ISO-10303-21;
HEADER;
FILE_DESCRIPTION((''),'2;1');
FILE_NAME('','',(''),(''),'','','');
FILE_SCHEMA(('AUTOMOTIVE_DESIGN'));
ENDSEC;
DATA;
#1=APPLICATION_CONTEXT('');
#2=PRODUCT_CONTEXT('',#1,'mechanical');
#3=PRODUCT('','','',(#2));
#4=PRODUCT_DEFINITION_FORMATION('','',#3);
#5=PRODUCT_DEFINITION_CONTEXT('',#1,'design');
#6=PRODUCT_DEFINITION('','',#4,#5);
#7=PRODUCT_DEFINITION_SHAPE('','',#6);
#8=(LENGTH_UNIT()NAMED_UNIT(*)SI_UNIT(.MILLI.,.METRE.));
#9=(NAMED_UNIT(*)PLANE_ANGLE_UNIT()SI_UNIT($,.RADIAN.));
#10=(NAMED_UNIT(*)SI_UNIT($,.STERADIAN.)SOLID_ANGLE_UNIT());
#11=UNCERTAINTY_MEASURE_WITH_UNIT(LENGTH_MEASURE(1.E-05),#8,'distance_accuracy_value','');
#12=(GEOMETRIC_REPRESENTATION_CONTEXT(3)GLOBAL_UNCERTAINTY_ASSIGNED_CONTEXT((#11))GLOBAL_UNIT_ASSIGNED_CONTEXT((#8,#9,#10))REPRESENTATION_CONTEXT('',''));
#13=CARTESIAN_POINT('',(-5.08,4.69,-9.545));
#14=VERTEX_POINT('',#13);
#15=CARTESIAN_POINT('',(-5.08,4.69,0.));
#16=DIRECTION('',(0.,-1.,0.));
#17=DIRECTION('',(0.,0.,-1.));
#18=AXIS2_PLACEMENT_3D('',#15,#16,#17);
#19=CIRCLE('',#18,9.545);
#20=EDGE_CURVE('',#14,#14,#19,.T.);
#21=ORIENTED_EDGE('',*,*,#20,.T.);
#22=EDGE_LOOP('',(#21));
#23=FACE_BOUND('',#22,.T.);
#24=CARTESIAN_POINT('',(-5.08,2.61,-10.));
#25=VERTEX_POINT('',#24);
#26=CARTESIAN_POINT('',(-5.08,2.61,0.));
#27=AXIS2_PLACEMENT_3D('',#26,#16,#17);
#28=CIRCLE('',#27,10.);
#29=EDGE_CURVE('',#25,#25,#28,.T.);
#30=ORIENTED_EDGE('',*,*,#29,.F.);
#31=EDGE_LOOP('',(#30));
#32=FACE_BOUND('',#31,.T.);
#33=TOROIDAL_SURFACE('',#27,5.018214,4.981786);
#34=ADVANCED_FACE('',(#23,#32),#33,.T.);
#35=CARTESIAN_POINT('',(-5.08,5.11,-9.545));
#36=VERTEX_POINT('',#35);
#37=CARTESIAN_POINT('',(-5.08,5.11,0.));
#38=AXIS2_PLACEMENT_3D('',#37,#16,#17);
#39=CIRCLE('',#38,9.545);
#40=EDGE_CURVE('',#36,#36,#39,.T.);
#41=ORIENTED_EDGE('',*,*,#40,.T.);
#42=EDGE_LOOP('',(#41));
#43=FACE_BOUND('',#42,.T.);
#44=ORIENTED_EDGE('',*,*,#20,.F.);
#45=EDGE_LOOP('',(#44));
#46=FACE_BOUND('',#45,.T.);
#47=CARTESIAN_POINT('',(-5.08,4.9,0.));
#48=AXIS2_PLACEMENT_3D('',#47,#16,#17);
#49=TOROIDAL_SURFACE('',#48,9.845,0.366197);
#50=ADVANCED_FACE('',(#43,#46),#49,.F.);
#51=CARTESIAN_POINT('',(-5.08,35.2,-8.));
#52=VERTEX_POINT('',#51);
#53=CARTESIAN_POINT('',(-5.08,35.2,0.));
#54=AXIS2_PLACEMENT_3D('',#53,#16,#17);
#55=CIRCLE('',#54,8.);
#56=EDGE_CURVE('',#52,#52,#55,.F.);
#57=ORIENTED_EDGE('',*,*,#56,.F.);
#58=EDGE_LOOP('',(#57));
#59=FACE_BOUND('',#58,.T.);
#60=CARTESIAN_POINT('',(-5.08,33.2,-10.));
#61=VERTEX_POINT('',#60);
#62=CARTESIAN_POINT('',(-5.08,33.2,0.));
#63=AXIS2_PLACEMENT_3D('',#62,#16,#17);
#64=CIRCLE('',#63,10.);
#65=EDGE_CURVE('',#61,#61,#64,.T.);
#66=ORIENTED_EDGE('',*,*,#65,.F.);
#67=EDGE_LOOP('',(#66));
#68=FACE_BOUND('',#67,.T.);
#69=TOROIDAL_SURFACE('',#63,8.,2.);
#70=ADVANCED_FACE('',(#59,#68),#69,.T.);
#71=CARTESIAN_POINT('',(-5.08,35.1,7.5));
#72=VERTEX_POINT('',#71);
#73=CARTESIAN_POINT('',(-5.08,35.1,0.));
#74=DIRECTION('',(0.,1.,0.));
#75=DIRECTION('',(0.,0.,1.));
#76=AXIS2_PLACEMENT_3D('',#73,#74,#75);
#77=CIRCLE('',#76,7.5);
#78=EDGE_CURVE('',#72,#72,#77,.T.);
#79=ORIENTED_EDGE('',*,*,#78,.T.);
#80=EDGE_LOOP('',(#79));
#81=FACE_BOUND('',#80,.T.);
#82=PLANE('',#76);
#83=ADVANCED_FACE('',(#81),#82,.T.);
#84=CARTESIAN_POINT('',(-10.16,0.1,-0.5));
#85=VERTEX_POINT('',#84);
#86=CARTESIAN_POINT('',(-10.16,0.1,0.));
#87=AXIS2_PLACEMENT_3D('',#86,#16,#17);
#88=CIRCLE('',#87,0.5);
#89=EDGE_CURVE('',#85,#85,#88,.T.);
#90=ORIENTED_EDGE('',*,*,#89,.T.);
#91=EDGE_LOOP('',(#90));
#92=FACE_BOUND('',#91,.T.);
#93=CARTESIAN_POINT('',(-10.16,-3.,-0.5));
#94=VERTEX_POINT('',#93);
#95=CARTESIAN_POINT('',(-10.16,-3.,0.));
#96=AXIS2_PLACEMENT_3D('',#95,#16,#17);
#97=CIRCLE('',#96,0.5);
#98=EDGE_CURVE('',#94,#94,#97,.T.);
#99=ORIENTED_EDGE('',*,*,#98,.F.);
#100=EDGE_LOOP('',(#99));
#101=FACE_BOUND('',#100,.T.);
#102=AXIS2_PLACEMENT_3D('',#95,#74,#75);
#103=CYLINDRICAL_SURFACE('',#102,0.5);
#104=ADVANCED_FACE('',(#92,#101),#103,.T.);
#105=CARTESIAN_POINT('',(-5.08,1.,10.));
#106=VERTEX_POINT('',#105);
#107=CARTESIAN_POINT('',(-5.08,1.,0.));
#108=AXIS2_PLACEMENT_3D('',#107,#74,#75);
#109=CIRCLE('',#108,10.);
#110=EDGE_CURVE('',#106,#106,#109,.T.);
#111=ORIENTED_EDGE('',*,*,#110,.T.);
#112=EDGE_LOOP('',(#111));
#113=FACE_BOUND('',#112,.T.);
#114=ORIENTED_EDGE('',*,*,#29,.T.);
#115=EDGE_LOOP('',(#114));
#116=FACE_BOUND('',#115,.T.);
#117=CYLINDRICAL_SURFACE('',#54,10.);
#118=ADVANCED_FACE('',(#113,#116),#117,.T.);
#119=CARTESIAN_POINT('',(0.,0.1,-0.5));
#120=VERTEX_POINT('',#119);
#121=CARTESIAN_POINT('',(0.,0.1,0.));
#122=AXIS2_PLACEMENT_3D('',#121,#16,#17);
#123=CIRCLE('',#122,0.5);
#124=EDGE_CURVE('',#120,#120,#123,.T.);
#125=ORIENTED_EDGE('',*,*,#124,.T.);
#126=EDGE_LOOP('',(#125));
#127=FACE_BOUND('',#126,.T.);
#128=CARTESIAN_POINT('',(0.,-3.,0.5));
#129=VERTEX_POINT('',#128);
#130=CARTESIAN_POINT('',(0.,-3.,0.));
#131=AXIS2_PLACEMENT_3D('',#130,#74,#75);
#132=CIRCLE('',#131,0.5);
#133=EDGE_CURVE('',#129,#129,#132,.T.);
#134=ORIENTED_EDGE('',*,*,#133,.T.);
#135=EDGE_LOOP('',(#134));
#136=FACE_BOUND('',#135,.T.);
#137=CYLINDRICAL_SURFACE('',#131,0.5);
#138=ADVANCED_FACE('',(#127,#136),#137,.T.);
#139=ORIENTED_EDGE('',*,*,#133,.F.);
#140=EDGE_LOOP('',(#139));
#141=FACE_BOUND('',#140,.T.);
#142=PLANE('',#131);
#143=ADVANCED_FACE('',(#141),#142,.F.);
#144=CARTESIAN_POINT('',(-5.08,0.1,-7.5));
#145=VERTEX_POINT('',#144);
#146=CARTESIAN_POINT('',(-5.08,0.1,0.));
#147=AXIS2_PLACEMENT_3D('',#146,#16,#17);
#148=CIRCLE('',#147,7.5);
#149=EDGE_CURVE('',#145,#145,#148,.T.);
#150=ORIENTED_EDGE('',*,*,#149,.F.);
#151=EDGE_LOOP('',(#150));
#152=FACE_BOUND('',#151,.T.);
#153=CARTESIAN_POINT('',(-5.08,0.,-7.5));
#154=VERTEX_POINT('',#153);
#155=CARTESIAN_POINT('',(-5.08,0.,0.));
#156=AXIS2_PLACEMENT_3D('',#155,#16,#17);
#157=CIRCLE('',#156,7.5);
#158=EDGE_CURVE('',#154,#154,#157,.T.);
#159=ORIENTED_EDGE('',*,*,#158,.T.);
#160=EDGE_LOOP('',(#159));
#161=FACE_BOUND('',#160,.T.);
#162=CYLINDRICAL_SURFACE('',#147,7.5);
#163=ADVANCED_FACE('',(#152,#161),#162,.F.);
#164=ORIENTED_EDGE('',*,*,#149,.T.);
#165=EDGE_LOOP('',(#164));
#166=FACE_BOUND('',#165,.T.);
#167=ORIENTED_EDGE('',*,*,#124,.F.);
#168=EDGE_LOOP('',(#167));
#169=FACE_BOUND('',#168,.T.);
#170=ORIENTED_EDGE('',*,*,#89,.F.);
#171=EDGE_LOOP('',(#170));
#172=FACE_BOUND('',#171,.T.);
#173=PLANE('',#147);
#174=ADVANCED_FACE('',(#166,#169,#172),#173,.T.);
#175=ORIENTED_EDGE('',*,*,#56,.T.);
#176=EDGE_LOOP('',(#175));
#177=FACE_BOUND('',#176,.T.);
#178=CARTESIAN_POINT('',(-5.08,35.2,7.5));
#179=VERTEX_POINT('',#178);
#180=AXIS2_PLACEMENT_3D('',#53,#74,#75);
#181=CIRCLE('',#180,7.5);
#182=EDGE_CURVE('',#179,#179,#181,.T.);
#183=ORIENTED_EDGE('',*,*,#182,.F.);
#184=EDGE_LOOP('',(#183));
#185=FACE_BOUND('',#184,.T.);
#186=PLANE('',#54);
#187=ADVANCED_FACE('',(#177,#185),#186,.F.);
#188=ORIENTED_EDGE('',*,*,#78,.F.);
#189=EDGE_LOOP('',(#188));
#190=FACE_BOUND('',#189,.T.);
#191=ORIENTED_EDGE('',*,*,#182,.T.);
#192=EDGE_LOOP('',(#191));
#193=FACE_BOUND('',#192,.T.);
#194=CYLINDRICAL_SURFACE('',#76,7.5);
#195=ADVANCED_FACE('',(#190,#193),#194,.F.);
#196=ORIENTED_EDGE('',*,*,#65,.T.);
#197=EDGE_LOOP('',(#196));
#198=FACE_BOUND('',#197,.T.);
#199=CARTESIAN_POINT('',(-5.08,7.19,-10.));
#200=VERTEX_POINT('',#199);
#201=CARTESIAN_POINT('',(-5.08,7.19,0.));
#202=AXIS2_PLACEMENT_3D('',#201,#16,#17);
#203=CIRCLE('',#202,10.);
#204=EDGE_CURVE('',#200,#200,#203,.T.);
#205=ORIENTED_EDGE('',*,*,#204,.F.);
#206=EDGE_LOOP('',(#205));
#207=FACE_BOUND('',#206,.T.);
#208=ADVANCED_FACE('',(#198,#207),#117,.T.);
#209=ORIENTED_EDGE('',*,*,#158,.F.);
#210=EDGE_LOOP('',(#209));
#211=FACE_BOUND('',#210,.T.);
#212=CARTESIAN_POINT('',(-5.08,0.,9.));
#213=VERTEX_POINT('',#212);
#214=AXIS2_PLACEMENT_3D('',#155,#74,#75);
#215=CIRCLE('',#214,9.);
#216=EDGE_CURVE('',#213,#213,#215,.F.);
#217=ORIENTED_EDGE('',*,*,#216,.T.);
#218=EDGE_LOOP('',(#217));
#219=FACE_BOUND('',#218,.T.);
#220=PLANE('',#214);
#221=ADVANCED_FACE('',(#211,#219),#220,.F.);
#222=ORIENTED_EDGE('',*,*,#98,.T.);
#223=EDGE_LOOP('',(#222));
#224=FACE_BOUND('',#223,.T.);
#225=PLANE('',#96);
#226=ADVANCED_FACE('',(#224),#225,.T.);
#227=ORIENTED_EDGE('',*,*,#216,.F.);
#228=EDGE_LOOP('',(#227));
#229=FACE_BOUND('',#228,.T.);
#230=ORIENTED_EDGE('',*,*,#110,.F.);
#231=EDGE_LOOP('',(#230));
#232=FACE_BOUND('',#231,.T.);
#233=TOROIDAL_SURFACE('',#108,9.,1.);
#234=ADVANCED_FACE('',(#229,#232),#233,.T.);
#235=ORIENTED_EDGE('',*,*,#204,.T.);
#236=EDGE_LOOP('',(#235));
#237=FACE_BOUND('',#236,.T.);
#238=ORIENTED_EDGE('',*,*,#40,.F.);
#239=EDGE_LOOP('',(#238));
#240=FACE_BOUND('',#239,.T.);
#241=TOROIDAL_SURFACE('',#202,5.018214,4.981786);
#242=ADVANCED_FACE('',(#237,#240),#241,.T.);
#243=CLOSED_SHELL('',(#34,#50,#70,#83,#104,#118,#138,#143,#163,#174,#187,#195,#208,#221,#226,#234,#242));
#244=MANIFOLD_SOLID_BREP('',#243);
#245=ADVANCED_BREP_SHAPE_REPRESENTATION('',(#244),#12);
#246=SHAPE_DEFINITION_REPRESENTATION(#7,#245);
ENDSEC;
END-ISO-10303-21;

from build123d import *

# Parameters (mm, degrees)
SKETCH1_R           = 0.5
BASE_EXTRUDE_DEPTH  = 3
SKETCH2_R           = 7.5
BOSS_EXTRUDE1_DEPTH = 0.690752369
SKETCH3_R           = 0.5
BOSS_EXTRUDE2_DEPTH = 3
SKETCH4_R           = 10
BOSS_EXTRUDE3_DEPTH = 35.2
SKETCH5_R           = 7.5
SKETCH5_R_2         = 0.5
CUT_EXTRUDE1_DEPTH  = 0.1
FILLET1_R           = 2
FILLET2_R           = 1
SKETCH7_R           = 7.5
CUT_EXTRUDE2_DEPTH  = 0.1


with BuildPart() as part:
    # Sketch1 → Base-Extrude (new body)
    with BuildSketch(Plane(origin=(0, 0, 0), x_dir=(1, 0, 0), z_dir=(0, 1, 0))):
        Circle(SKETCH1_R)
    extrude(amount=-BASE_EXTRUDE_DEPTH)

    # Sketch2 → Boss-Extrude1 (add)
    with BuildSketch(Plane(origin=(0, 0, 0), x_dir=(1, 0, 0), z_dir=(0, 1, 0))):
        with Locations((-5.08, 0)):
            Circle(SKETCH2_R)
    extrude(amount=BOSS_EXTRUDE1_DEPTH)

    # Sketch3 → Boss-Extrude2 (add)
    with BuildSketch(Plane.XZ):
        with Locations((-10.16, 0)):
            Circle(SKETCH3_R)
    extrude(amount=BOSS_EXTRUDE2_DEPTH)

    # Sketch4 → Boss-Extrude3 (add)
    with BuildSketch(Plane.XZ):
        with Locations((-5.08, 0)):
            Circle(SKETCH4_R)
    extrude(amount=-BOSS_EXTRUDE3_DEPTH)

    # Sketch5 → Cut-Extrude1 (cut)
    with BuildSketch(Plane.XZ):
        with Locations((-5.08, 0)):
            Circle(SKETCH5_R)
        Circle(SKETCH5_R_2, mode=Mode.SUBTRACT)
        with Locations((-10.16, 0)):
            Circle(SKETCH5_R_2, mode=Mode.SUBTRACT)
    extrude(amount=-CUT_EXTRUDE1_DEPTH, mode=Mode.SUBTRACT)

    # Fillet1
    fillet1_edges = [part.edges().sort_by_distance(p)[0] for p in [
        (-15.08, 35.2, 0),
    ]]
    fillet(fillet1_edges, radius=FILLET1_R)

    # Fillet2
    fillet2_edges = [part.edges().sort_by_distance(p)[0] for p in [
        (-15.08, 0, 0),
    ]]
    fillet(fillet2_edges, radius=FILLET2_R)

    # Sketch6 → Cut-Revolve1 (revolve, cut)
    with BuildSketch(Plane.XY):
        with BuildLine():
            Line((4.92, 7.19), (5.42, 7.19))
            Line((5.42, 7.19), (5.42, 2.61))
            Line((5.42, 2.61), (4.92, 2.61))
            ThreePointArc((4.92, 2.61), (4.804920837, 3.674592058), (4.465, 4.69))
            ThreePointArc((4.465, 4.69), (4.398803332, 4.9), (4.465, 5.11))
            ThreePointArc((4.465, 5.11), (4.804920837, 6.125407942), (4.92, 7.19))
        make_face()
    revolve(axis=Axis((-5.08, 0, 0), (0, 1, 0)), mode=Mode.SUBTRACT)

    # Sketch7 → Cut-Extrude2 (cut)
    with BuildSketch(Plane(origin=(0, 35.2, 0), x_dir=(-1, 0, 0), z_dir=(0, 1, 0))):
        with Locations((5.08, 0)):
            Circle(SKETCH7_R)
    extrude(amount=-CUT_EXTRUDE2_DEPTH, mode=Mode.SUBTRACT)


solid = part.part
